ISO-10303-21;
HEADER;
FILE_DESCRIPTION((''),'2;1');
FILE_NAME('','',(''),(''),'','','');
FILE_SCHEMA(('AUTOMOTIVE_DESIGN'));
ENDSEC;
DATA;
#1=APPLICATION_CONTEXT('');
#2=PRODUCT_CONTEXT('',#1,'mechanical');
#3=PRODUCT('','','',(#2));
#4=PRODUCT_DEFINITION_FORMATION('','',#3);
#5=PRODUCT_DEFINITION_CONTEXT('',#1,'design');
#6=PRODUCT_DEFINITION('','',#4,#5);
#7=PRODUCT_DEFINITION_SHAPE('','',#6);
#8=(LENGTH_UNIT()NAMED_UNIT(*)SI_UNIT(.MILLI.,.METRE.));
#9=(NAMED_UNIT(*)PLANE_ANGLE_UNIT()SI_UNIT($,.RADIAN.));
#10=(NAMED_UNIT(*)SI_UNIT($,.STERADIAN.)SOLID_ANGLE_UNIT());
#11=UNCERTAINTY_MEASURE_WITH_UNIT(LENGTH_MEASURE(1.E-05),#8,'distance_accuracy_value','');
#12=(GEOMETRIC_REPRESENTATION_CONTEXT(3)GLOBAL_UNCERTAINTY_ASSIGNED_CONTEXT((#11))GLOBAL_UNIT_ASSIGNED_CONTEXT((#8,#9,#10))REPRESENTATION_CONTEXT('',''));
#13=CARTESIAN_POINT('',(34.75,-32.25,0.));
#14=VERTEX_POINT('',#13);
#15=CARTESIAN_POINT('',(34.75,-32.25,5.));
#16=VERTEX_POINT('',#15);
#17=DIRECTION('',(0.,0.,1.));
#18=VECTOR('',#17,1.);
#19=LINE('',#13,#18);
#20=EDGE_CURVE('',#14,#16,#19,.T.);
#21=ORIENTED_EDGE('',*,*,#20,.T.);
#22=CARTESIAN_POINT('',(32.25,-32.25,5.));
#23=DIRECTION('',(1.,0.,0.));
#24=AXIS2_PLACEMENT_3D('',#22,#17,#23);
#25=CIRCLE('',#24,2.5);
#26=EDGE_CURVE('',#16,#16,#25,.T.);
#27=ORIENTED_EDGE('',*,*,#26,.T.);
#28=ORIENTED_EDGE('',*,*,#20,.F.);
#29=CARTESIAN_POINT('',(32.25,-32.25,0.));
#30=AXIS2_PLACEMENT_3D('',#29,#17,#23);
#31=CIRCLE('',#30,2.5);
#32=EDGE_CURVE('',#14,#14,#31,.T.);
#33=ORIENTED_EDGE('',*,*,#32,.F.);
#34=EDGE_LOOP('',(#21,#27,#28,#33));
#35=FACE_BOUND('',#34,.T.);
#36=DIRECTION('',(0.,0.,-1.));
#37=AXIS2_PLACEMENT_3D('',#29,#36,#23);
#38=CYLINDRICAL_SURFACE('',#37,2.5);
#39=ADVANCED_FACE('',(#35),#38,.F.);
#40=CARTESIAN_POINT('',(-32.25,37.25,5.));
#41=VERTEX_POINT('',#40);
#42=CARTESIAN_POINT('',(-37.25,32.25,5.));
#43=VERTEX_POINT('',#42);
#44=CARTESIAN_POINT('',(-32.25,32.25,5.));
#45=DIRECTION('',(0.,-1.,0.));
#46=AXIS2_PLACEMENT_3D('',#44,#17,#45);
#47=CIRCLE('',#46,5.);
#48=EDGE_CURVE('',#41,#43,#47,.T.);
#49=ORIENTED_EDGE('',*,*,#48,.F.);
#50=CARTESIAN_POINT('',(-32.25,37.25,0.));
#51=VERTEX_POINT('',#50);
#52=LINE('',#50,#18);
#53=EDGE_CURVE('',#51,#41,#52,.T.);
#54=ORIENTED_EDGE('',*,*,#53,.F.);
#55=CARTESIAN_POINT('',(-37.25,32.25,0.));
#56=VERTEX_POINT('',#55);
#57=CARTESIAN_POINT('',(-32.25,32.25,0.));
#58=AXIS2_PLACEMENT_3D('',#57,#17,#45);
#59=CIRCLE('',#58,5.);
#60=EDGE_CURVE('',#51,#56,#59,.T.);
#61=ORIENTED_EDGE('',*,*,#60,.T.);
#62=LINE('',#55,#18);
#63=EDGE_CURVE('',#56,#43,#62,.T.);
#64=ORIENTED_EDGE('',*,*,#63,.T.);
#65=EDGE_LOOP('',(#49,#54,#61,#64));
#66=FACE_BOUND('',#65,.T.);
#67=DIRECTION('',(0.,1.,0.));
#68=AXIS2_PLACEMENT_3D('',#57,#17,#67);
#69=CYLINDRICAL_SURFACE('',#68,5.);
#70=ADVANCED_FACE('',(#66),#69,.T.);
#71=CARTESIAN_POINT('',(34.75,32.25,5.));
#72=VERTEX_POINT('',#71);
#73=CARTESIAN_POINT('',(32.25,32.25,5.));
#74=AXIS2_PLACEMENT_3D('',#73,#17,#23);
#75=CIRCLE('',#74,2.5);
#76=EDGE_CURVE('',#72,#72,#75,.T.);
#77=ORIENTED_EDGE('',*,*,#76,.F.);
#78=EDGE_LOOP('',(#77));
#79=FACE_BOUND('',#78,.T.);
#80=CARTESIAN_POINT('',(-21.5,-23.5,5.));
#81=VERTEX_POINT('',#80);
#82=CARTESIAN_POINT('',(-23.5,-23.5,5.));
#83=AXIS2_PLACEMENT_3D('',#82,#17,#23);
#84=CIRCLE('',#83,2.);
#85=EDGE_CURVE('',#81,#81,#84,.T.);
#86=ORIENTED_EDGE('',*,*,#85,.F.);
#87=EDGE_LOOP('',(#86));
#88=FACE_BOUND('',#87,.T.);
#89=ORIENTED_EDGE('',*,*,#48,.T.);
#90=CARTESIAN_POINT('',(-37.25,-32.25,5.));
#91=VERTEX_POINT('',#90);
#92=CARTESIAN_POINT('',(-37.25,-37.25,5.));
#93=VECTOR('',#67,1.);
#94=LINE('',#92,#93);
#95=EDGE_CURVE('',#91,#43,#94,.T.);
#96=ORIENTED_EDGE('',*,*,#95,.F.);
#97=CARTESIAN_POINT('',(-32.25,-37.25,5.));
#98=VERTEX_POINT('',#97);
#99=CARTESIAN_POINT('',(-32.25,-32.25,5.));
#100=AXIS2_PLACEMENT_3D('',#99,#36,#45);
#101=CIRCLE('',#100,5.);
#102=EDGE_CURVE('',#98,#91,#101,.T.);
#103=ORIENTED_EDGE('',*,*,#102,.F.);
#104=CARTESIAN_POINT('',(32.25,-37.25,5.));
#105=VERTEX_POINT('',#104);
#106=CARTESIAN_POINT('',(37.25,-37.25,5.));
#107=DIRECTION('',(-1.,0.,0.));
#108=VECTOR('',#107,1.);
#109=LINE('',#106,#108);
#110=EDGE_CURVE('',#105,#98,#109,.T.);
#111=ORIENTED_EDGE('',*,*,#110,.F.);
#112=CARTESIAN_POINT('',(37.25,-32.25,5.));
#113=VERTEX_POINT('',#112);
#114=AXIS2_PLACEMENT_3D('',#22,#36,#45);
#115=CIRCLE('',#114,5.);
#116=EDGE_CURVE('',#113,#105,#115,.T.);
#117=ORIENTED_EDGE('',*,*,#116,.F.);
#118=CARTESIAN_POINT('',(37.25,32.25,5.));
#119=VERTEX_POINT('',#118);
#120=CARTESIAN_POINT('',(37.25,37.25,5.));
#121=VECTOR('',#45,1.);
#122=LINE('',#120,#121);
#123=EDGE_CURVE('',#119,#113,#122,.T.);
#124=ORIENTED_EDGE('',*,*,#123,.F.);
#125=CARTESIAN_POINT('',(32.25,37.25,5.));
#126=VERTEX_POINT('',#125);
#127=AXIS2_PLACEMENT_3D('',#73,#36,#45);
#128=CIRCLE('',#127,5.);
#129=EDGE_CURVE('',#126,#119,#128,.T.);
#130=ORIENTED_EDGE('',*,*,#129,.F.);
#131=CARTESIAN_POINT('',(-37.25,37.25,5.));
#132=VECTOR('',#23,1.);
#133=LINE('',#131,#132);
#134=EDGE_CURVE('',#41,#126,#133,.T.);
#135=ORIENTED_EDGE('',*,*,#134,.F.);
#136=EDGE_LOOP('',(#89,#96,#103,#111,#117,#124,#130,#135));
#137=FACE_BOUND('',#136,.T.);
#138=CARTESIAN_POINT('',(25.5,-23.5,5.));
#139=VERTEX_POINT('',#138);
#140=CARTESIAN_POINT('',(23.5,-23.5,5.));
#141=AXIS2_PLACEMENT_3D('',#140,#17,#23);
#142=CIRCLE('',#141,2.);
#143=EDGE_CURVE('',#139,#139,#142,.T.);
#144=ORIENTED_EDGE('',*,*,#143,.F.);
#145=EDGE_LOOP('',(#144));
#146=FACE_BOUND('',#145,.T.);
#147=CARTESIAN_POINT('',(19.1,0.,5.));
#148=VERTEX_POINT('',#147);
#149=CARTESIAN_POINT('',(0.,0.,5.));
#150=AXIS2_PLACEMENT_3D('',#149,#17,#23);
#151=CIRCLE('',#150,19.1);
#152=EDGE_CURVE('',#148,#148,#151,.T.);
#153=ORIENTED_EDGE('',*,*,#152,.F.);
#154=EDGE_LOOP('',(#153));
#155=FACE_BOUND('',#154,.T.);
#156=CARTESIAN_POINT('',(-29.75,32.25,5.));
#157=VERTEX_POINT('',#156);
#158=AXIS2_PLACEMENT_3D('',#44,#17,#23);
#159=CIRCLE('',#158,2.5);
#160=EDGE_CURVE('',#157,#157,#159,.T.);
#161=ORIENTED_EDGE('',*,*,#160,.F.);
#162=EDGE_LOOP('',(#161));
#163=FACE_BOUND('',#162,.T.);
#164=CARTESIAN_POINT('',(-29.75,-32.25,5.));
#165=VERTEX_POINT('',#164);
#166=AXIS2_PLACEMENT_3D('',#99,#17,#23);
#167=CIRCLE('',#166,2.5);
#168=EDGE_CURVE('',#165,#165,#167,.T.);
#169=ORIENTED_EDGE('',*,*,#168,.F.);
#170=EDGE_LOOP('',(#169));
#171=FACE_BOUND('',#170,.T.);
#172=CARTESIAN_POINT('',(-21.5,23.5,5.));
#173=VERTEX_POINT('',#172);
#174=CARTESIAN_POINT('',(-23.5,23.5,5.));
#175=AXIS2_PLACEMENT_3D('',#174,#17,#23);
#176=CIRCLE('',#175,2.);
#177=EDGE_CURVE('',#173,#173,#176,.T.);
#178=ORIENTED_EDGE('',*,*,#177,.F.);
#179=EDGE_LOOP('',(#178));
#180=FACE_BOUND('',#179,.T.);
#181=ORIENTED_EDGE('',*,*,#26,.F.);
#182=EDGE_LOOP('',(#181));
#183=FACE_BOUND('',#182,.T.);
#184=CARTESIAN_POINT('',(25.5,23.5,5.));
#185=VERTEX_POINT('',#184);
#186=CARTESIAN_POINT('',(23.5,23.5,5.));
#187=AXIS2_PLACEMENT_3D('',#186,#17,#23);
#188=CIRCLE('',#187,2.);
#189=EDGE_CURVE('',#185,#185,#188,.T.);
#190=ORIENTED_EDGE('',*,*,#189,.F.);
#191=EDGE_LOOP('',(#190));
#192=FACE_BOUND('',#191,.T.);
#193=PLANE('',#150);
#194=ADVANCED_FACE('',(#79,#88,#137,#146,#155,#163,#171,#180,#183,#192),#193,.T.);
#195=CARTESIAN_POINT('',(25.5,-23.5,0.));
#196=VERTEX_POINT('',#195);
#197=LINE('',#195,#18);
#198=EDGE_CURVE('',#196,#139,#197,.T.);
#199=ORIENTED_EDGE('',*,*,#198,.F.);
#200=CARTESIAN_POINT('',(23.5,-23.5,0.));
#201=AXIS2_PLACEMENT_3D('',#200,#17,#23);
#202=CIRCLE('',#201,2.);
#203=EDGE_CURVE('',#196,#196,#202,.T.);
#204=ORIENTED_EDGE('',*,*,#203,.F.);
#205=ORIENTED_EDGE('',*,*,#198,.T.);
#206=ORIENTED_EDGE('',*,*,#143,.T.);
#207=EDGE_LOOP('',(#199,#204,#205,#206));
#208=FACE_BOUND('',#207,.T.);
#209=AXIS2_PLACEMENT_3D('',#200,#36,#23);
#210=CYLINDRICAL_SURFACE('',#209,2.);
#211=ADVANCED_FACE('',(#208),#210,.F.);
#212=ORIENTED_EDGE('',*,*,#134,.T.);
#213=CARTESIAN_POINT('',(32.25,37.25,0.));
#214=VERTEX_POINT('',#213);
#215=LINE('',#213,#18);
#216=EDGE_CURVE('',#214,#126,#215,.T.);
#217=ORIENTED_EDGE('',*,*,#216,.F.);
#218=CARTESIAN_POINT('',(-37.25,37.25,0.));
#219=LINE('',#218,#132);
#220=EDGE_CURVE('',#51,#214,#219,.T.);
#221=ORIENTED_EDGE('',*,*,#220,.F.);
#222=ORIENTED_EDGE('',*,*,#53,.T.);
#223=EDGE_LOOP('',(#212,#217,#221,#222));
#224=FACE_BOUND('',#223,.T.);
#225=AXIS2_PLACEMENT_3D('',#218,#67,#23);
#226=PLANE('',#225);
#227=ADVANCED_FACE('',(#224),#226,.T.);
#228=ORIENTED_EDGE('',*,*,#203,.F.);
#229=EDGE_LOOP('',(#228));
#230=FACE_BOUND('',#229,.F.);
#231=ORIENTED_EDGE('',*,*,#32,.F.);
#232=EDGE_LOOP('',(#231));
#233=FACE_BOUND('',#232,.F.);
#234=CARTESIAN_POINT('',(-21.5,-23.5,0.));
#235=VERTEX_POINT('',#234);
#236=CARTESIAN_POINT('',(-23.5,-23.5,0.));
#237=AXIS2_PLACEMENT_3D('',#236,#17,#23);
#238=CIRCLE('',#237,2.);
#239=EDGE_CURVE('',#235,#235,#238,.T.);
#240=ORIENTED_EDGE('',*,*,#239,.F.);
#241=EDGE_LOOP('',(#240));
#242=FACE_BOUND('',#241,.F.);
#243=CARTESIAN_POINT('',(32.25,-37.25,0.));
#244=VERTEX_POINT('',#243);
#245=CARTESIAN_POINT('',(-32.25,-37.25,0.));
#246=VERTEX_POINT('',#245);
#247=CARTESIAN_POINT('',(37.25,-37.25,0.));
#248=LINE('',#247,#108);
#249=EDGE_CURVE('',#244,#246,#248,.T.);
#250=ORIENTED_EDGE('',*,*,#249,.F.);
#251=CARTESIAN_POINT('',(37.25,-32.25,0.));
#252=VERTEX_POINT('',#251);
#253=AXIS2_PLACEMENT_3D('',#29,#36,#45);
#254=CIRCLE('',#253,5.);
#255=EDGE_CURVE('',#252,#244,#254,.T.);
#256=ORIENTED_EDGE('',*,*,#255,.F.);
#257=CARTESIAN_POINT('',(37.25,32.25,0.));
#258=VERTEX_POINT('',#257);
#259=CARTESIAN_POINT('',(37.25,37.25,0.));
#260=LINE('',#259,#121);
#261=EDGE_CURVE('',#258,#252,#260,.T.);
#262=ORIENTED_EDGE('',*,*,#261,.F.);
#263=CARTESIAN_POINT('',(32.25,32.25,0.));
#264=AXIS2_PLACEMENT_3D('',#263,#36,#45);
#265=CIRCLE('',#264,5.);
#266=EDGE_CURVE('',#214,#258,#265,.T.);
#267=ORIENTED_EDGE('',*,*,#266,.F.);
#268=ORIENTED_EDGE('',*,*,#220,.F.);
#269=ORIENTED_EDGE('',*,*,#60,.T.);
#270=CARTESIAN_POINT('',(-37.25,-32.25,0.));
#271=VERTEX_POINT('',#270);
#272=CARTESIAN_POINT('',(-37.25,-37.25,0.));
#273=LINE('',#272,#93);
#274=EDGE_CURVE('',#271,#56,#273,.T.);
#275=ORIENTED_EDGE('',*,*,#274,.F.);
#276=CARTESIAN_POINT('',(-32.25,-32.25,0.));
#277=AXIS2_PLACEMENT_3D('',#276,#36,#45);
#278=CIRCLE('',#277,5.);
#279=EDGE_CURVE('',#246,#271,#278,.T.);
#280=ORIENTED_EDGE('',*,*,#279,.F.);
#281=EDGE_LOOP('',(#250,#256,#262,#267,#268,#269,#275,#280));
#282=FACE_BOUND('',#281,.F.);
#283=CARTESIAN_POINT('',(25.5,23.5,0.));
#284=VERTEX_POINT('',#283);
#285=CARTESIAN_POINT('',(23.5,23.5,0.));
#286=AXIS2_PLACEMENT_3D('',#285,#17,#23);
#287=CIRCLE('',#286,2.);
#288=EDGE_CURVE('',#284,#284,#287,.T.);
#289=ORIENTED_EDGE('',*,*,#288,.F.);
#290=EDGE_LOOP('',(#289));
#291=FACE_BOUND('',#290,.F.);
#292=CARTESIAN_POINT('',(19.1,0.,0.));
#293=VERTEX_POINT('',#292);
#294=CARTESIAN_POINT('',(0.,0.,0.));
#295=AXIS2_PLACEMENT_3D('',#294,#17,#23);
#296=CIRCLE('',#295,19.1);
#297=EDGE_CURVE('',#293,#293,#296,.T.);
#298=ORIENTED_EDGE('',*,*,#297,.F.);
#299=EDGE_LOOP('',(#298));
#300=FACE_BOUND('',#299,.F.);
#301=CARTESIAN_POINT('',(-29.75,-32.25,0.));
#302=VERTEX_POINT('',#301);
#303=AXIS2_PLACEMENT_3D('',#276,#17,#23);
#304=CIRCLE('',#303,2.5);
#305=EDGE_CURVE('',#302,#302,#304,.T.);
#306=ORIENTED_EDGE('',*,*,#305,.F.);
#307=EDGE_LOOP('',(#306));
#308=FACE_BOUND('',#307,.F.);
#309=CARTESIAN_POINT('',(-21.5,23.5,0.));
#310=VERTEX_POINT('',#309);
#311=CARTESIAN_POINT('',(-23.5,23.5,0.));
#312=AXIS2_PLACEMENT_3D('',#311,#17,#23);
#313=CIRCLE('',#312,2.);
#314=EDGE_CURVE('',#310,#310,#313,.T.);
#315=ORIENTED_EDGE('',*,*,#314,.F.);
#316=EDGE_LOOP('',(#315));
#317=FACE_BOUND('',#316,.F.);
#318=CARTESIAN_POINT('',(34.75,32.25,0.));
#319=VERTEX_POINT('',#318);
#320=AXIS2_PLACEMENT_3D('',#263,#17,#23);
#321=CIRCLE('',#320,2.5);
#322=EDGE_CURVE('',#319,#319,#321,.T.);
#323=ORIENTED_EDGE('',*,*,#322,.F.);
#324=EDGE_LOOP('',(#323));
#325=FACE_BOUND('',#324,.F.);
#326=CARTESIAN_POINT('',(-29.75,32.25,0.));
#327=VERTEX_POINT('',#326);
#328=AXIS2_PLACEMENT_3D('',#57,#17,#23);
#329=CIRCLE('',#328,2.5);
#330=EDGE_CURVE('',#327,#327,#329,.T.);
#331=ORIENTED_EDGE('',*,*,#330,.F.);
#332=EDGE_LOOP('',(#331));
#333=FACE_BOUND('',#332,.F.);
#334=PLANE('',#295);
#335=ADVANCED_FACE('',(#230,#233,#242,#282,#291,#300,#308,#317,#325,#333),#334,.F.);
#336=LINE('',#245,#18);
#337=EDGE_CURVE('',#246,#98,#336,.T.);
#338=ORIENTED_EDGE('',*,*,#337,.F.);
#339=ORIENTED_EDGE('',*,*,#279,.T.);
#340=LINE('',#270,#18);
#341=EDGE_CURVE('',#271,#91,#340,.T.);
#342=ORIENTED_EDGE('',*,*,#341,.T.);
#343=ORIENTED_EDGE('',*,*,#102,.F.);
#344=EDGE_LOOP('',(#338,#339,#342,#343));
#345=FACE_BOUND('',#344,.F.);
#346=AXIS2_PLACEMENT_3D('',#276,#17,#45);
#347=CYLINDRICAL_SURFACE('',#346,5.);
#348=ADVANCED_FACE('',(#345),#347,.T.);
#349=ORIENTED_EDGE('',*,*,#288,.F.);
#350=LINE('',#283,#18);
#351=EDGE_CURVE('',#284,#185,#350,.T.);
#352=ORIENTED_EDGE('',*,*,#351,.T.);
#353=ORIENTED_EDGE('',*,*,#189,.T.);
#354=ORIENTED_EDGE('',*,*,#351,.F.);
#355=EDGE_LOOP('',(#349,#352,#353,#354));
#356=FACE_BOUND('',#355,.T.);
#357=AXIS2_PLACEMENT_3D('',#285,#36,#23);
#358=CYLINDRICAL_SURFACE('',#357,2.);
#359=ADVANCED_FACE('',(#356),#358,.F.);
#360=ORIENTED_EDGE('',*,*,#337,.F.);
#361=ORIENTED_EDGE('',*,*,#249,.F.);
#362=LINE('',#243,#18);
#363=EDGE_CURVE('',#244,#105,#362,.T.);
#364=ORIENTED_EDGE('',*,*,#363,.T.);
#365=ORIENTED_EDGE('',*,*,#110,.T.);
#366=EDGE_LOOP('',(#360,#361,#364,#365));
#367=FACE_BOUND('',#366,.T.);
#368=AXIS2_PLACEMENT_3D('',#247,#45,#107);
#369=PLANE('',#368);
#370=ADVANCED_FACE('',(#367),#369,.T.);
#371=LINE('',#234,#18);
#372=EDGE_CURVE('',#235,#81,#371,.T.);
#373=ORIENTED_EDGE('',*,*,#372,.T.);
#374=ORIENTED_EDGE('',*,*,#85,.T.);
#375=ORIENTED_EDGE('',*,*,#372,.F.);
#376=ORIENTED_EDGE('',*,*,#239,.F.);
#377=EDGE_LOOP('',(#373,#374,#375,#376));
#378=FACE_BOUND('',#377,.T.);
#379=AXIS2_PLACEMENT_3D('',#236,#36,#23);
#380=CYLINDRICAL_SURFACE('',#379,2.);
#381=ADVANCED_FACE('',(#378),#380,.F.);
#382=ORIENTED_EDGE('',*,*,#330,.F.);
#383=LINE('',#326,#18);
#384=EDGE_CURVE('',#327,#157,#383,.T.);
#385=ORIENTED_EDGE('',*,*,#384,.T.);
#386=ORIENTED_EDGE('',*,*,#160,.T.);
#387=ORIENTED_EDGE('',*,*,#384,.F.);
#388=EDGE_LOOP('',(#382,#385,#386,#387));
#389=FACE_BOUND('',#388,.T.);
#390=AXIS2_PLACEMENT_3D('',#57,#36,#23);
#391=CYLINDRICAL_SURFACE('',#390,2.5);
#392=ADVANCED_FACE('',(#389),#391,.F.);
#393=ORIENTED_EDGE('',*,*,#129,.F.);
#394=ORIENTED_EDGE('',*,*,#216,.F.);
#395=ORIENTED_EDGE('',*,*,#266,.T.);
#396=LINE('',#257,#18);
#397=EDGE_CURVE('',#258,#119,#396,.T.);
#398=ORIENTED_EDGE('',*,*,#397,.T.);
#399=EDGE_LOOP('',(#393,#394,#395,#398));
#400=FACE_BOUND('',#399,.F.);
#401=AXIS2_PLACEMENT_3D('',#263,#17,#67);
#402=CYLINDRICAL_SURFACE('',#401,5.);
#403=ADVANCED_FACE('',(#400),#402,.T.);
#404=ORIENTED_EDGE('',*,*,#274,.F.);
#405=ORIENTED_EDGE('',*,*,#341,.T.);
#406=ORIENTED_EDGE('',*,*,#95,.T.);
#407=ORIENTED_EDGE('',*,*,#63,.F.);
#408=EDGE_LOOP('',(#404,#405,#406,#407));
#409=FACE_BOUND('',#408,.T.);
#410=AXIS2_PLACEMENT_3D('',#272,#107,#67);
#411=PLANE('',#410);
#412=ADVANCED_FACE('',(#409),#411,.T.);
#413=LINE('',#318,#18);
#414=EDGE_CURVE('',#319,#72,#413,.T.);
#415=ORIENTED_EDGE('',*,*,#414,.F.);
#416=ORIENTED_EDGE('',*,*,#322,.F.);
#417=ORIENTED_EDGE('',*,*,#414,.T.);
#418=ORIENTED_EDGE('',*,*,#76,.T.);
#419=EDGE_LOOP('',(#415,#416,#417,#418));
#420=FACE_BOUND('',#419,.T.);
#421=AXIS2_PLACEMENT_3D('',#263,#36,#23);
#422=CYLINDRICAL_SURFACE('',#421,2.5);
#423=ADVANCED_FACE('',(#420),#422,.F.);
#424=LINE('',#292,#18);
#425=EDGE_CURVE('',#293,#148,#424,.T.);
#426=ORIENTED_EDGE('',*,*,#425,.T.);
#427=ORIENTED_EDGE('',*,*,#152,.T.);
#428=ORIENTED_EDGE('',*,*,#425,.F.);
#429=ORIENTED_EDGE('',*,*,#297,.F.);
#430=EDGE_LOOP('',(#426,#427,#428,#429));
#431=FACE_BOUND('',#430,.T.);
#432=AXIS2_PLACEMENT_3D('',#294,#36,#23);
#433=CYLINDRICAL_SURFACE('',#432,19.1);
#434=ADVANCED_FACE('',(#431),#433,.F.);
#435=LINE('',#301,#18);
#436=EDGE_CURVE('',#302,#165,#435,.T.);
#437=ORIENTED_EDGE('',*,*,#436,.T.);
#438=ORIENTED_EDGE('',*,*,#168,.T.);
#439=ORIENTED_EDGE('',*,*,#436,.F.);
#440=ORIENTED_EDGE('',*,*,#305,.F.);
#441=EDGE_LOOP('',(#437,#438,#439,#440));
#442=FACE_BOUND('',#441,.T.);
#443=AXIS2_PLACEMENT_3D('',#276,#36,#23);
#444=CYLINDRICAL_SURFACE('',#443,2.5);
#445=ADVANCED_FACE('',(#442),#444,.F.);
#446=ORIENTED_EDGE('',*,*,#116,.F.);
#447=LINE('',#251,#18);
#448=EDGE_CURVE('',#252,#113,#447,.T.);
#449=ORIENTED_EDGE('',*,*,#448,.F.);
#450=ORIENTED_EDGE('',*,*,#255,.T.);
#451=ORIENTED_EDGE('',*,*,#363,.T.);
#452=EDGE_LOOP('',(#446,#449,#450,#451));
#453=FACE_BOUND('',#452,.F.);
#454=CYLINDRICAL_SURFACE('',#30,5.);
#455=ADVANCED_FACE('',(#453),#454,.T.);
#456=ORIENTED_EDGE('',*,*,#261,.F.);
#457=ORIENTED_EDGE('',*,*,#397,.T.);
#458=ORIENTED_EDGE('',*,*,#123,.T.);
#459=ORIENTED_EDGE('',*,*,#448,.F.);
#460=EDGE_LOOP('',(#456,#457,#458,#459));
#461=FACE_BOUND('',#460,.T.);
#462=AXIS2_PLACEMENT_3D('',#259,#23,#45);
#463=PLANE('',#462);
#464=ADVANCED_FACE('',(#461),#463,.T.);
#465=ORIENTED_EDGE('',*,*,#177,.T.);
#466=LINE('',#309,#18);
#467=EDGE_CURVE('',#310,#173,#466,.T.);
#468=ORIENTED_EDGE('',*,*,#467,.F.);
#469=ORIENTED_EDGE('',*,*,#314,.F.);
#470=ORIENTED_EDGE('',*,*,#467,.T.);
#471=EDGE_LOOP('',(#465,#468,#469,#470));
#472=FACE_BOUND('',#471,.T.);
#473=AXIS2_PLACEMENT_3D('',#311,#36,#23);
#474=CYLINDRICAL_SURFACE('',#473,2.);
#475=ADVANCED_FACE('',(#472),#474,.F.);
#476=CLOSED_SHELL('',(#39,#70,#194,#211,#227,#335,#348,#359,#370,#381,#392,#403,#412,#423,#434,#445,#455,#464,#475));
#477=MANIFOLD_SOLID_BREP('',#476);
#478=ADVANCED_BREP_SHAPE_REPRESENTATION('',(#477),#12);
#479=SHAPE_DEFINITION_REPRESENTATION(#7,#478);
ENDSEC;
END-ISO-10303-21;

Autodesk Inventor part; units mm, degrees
ref_plane "YZ Plane" through (0, 0, 0) normal (1, 0, 0) x (0, 1, 0)
ref_plane "XZ Plane" through (0, 0, 0) normal (0, 1, 0) x (-1, 0, 0)
ref_plane "XY Plane" through (0, 0, 0) normal (0, 0, 1) x (1, 0, 0)
sketch "Sketch1" plane through (0, 0, 0) normal (0, 0, 1) x (1, 0, 0)
  line L0 (-37.25, 37.25) -> (37.25, 37.25)
  line L1 (37.25, 37.25) -> (37.25, -37.25)
  line L2 (37.25, -37.25) -> (-37.25, -37.25)
  line L3 (-37.25, -37.25) -> (-37.25, 37.25)
  circle A0 centre (-23.5, 23.5) radius 2
  circle A1 centre (-23.5, -23.5) radius 2
  circle A2 centre (23.5, -23.5) radius 2
  circle A3 centre (23.5, 23.5) radius 2
  circle A4 centre (0, 0) radius 19.1
  circle A5 centre (-32.25, 32.25) radius 2.5
  circle A6 centre (32.25, 32.25) radius 2.5
  circle A7 centre (-32.25, -32.25) radius 2.5
  circle A8 centre (32.25, -32.25) radius 2.5
  dimension "d0" = 4
  dimension "d1" = 4
  dimension "d2" = 4
  dimension "d3" = 4
  dimension "d4" = 38.2
  dimension "d5" = 47
  dimension "d6" = 47
  dimension "d7" = 47
  dimension "d8" = 47
  dimension "d9" = 23.5
  dimension "d10" = 23.5
  dimension "d11" = 23.5
  dimension "d12" = 23.5
  dimension "d13" = 74.5
  dimension "d14" = 74.5
  dimension "d15" = 37.25
  dimension "d16" = 37.25
  dimension "d17" = 5
  dimension "d18" = 5
  dimension "d19" = 5
  dimension "d20" = 5
  dimension "d21" = 64.5
  dimension "d22" = 64.5
  dimension "d23" = 64.5
  dimension "d24" = 64.5
  dimension "d25" = 5
  dimension "d26" = 5
  dimension "d27" = 5
  dimension "d28" = 5
extrude "Extrusion1" add sketch "Sketch1" along normal blind 5
fillet "Fillet1" radius 5 4 edges at (37.25, 37.25, 2.5) (37.25, -37.25, 2.5) (-37.25, 37.25, 2.5) (-37.25, -37.25, 2.5)
properties part number "TurntableMotorBracket"
